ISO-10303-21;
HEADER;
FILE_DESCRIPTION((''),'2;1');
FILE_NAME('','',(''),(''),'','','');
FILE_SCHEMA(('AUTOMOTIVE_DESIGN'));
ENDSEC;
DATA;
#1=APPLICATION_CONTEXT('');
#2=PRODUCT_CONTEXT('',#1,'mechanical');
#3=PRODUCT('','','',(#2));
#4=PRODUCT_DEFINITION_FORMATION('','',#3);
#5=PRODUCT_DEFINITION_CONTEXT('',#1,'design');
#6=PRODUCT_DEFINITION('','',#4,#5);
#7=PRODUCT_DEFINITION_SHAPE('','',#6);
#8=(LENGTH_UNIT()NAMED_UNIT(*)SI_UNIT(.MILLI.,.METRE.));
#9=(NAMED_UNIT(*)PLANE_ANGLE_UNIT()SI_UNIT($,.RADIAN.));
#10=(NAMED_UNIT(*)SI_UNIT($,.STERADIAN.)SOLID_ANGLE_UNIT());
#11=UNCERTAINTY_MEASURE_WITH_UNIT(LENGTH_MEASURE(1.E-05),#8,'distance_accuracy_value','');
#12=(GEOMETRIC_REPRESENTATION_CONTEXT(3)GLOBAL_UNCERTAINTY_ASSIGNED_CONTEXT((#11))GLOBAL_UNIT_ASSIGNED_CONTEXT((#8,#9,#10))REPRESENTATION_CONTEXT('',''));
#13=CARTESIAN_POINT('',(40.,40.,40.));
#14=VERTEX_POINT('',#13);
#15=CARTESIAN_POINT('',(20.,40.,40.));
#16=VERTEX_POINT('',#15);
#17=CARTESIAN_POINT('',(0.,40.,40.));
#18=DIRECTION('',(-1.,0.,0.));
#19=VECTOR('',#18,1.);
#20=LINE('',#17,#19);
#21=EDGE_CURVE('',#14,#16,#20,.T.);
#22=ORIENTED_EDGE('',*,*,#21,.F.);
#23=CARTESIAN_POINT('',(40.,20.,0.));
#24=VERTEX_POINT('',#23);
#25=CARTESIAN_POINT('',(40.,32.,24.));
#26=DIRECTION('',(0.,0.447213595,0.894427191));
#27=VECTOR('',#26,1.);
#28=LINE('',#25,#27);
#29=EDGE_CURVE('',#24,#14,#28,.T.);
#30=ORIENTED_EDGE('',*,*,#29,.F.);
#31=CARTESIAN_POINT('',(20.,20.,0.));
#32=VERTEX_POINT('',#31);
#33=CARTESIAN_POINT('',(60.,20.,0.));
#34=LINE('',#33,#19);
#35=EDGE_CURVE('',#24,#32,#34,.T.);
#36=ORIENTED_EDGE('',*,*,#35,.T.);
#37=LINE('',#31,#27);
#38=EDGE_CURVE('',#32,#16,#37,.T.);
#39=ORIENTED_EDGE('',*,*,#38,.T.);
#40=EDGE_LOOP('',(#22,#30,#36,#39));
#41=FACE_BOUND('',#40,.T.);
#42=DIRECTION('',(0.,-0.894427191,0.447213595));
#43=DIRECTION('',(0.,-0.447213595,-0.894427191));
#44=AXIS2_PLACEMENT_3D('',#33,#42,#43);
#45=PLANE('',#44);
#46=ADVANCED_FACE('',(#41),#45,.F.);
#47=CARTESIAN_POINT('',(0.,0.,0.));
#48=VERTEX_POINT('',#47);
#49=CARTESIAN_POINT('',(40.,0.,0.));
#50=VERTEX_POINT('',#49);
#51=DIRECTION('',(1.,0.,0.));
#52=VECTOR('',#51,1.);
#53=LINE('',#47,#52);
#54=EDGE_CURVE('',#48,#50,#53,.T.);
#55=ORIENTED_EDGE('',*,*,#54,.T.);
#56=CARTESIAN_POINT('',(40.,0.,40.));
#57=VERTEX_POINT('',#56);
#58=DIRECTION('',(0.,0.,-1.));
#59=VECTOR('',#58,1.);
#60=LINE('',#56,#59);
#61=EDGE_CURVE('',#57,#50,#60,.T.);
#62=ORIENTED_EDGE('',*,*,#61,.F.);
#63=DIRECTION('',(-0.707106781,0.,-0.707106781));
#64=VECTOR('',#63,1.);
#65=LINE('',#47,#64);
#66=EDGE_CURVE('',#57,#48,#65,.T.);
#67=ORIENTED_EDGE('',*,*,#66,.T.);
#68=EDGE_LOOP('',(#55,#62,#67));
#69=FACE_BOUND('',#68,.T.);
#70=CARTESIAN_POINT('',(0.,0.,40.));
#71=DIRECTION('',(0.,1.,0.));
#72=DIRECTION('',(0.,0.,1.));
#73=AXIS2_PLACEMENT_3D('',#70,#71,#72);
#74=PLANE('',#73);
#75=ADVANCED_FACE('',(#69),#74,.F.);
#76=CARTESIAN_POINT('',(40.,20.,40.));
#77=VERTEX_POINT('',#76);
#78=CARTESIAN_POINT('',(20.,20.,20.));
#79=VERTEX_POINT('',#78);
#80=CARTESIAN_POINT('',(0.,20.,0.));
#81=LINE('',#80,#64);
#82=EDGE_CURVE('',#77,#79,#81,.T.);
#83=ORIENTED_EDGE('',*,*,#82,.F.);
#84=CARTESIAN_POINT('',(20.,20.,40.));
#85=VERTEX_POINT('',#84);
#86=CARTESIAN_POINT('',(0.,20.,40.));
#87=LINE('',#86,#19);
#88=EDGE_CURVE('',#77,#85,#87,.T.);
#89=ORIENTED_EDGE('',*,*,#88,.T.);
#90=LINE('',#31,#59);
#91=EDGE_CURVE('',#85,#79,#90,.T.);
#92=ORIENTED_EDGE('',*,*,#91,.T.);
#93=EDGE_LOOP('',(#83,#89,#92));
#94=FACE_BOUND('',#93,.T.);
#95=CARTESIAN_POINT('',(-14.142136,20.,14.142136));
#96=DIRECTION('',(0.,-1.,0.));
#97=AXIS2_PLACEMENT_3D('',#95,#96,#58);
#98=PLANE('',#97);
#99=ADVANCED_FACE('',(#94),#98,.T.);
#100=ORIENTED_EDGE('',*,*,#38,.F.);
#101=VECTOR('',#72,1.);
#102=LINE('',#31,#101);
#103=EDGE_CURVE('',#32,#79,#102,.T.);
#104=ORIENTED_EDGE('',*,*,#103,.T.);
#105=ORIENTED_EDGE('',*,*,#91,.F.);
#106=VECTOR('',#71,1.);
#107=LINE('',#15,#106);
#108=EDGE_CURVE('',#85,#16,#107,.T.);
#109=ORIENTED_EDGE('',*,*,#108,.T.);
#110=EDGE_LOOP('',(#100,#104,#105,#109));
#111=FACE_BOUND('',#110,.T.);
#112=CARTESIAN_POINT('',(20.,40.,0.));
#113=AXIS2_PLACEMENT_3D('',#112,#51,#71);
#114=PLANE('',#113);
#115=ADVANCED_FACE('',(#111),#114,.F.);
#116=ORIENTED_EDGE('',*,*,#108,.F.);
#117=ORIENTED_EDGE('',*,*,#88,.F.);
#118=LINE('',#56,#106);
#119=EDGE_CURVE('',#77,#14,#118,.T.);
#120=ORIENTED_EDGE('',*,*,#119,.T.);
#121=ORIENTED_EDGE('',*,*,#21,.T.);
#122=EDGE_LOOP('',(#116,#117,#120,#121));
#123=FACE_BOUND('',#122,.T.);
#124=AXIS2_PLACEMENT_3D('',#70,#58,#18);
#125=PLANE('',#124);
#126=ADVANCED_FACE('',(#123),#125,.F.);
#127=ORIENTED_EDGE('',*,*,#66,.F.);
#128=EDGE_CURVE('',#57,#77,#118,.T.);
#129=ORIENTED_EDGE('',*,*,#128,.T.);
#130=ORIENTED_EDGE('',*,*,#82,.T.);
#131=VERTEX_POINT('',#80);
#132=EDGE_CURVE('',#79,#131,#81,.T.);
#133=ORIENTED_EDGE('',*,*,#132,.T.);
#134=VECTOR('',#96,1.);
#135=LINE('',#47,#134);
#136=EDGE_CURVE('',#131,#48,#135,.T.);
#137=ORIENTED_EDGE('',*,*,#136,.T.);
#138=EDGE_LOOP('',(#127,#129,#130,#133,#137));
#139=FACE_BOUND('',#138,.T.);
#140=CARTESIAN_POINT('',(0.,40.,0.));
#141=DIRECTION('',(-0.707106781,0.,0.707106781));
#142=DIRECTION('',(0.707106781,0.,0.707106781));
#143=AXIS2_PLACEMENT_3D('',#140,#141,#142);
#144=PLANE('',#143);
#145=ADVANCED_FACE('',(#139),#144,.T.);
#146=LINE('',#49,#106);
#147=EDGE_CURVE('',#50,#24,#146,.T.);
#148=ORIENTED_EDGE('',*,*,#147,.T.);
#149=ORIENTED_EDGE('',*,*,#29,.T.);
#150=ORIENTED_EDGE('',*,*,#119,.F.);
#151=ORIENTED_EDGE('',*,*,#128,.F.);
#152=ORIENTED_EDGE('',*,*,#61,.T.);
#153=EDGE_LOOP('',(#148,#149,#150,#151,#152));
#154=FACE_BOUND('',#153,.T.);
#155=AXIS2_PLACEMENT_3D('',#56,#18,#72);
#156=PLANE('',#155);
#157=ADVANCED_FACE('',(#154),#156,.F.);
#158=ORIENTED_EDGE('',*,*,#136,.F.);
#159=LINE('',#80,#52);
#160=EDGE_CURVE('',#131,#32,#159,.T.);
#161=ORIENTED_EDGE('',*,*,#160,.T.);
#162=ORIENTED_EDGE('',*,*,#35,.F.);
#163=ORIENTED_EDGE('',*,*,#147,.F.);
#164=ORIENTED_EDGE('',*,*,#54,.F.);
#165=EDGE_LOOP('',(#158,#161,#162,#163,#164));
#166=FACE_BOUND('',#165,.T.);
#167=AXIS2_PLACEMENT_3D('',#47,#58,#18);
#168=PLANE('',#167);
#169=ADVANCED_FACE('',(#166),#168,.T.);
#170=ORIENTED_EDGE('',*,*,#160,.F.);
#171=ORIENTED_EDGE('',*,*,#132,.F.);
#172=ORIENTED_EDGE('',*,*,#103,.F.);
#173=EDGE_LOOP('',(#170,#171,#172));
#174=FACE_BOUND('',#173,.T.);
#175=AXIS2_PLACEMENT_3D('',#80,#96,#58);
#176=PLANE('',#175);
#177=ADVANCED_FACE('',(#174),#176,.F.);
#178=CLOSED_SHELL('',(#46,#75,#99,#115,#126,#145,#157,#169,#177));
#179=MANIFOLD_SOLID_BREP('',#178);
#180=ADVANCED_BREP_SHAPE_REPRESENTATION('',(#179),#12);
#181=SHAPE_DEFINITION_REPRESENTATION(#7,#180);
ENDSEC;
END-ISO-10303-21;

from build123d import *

# Parameters (mm, degrees)
SKETCH1_W            = 40
SKETCH1_H            = 40
BOSS_EXTRUDE1_DEPTH  = 40
SKETCH2_W            = 20
SKETCH2_H            = 20
CUT_EXTRUDE1_DEPTH   = 40
CUT_EXTRUDE2_DEPTH   = 40
CUT_EXTRUDE6_DEPTH   = 40
CUT_EXTRUDE7_DEPTH   = 19.999
SKETCH7_W            = 19.998
SKETCH7_H            = 19.999
CUT_EXTRUDE8_DEPTH   = 19.999
SKETCH8_W            = 19.999
SKETCH8_H            = 19.999
CUT_EXTRUDE9_DEPTH   = 19.999
SKETCH11_W           = 28.28144282
SKETCH11_H           = 19.999
BOSS_EXTRUDE9_DEPTH  = 0.0009
BOSS_EXTRUDE10_DEPTH = 20
SKETCH14_W           = 57
SKETCH14_H           = 20
CUT_EXTRUDE11_DEPTH  = 20


with BuildPart() as part:
    # Sketch1 → Boss-Extrude1 (new body)
    with BuildSketch(Plane.XY):
        with Locations((20, 20)):
            Rectangle(SKETCH1_W, SKETCH1_H)
    extrude(amount=BOSS_EXTRUDE1_DEPTH)

    # Sketch2 → Cut-Extrude1 (cut)
    with BuildSketch(Plane.XY.offset(40)):
        with Locations((10, 30)):
            Rectangle(SKETCH2_W, SKETCH2_H)
    extrude(amount=-CUT_EXTRUDE1_DEPTH, mode=Mode.SUBTRACT)

    # Sketch3 → Cut-Extrude2 (cut)
    with BuildSketch(Plane.ZY.offset(-20)):
        Polygon((0, 20), (40, 40), (0, 40), align=None)
    extrude(amount=-CUT_EXTRUDE2_DEPTH, mode=Mode.SUBTRACT)

    # Sketch4 → Cut-Extrude6 (cut)
    with BuildSketch(Plane(origin=(0, 0, 0), x_dir=(1, 0, 0), z_dir=(0, 1, 0))):
        Polygon((0, 0), (20, -20), (20, -40), (0, -40), align=None)
    extrude(amount=CUT_EXTRUDE6_DEPTH, mode=Mode.SUBTRACT)

    # Sketch6 → Cut-Extrude7 (cut)
    with BuildSketch(Plane(origin=(0, 0, 0), x_dir=(-1, 0, 0), z_dir=(0, -1, 0))):
        Polygon((-20.001, -39.9999), (-39.999, -39.9999), (-20.001, -20.0019), align=None)
    extrude(amount=-CUT_EXTRUDE7_DEPTH, mode=Mode.SUBTRACT)

    # Sketch7 → Cut-Extrude8 (cut)
    with BuildSketch(Plane(origin=(20.001, 0, 0), x_dir=(0, 0, -1), z_dir=(1, 0, 0))):
        with Locations((-30.0009, 9.9995)):
            Rectangle(SKETCH7_W, SKETCH7_H)
    extrude(amount=-CUT_EXTRUDE8_DEPTH, mode=Mode.SUBTRACT)

    # Sketch8 → Cut-Extrude9 (cut)
    with BuildSketch(Plane(origin=(0, 0, 39.9999), x_dir=(-1, 0, 0), z_dir=(0, 0, -1))):
        with Locations((-29.9995, 9.9995)):
            Rectangle(SKETCH8_W, SKETCH8_H)
    extrude(amount=-CUT_EXTRUDE9_DEPTH, mode=Mode.SUBTRACT)

    # Sketch11 → Boss-Extrude9 (add)
    with BuildSketch(Plane(origin=(-0.00045, 0, 0.00045), x_dir=(0.707106781, 0, 0.707106781), z_dir=(-0.707106781, 0, 0.707106781))):
        with Locations((42.427043267, 9.9995)):
            Rectangle(SKETCH11_W, SKETCH11_H)
    extrude(amount=BOSS_EXTRUDE9_DEPTH)

    # Sketch13 → Boss-Extrude10 (add)
    with BuildSketch(Plane(origin=(0, 0, 0), x_dir=(-1, 0, 0), z_dir=(0, -1, 0))):
        Polygon((-20.001, -20.0019), (-20.000363604, -20.002536396), (-20, -20.0019), align=None)
    extrude(amount=-BOSS_EXTRUDE10_DEPTH)

    # Sketch14 → Cut-Extrude11 (cut)
    with BuildSketch(Plane(origin=(0, 0, 0), x_dir=(0.707106781, 0, 0.707106781), z_dir=(-0.707106781, 0, 0.707106781))):
        with Locations((28.5, 10)):
            Rectangle(SKETCH14_W, SKETCH14_H)
    extrude(amount=CUT_EXTRUDE11_DEPTH, mode=Mode.SUBTRACT)


solid = part.part
